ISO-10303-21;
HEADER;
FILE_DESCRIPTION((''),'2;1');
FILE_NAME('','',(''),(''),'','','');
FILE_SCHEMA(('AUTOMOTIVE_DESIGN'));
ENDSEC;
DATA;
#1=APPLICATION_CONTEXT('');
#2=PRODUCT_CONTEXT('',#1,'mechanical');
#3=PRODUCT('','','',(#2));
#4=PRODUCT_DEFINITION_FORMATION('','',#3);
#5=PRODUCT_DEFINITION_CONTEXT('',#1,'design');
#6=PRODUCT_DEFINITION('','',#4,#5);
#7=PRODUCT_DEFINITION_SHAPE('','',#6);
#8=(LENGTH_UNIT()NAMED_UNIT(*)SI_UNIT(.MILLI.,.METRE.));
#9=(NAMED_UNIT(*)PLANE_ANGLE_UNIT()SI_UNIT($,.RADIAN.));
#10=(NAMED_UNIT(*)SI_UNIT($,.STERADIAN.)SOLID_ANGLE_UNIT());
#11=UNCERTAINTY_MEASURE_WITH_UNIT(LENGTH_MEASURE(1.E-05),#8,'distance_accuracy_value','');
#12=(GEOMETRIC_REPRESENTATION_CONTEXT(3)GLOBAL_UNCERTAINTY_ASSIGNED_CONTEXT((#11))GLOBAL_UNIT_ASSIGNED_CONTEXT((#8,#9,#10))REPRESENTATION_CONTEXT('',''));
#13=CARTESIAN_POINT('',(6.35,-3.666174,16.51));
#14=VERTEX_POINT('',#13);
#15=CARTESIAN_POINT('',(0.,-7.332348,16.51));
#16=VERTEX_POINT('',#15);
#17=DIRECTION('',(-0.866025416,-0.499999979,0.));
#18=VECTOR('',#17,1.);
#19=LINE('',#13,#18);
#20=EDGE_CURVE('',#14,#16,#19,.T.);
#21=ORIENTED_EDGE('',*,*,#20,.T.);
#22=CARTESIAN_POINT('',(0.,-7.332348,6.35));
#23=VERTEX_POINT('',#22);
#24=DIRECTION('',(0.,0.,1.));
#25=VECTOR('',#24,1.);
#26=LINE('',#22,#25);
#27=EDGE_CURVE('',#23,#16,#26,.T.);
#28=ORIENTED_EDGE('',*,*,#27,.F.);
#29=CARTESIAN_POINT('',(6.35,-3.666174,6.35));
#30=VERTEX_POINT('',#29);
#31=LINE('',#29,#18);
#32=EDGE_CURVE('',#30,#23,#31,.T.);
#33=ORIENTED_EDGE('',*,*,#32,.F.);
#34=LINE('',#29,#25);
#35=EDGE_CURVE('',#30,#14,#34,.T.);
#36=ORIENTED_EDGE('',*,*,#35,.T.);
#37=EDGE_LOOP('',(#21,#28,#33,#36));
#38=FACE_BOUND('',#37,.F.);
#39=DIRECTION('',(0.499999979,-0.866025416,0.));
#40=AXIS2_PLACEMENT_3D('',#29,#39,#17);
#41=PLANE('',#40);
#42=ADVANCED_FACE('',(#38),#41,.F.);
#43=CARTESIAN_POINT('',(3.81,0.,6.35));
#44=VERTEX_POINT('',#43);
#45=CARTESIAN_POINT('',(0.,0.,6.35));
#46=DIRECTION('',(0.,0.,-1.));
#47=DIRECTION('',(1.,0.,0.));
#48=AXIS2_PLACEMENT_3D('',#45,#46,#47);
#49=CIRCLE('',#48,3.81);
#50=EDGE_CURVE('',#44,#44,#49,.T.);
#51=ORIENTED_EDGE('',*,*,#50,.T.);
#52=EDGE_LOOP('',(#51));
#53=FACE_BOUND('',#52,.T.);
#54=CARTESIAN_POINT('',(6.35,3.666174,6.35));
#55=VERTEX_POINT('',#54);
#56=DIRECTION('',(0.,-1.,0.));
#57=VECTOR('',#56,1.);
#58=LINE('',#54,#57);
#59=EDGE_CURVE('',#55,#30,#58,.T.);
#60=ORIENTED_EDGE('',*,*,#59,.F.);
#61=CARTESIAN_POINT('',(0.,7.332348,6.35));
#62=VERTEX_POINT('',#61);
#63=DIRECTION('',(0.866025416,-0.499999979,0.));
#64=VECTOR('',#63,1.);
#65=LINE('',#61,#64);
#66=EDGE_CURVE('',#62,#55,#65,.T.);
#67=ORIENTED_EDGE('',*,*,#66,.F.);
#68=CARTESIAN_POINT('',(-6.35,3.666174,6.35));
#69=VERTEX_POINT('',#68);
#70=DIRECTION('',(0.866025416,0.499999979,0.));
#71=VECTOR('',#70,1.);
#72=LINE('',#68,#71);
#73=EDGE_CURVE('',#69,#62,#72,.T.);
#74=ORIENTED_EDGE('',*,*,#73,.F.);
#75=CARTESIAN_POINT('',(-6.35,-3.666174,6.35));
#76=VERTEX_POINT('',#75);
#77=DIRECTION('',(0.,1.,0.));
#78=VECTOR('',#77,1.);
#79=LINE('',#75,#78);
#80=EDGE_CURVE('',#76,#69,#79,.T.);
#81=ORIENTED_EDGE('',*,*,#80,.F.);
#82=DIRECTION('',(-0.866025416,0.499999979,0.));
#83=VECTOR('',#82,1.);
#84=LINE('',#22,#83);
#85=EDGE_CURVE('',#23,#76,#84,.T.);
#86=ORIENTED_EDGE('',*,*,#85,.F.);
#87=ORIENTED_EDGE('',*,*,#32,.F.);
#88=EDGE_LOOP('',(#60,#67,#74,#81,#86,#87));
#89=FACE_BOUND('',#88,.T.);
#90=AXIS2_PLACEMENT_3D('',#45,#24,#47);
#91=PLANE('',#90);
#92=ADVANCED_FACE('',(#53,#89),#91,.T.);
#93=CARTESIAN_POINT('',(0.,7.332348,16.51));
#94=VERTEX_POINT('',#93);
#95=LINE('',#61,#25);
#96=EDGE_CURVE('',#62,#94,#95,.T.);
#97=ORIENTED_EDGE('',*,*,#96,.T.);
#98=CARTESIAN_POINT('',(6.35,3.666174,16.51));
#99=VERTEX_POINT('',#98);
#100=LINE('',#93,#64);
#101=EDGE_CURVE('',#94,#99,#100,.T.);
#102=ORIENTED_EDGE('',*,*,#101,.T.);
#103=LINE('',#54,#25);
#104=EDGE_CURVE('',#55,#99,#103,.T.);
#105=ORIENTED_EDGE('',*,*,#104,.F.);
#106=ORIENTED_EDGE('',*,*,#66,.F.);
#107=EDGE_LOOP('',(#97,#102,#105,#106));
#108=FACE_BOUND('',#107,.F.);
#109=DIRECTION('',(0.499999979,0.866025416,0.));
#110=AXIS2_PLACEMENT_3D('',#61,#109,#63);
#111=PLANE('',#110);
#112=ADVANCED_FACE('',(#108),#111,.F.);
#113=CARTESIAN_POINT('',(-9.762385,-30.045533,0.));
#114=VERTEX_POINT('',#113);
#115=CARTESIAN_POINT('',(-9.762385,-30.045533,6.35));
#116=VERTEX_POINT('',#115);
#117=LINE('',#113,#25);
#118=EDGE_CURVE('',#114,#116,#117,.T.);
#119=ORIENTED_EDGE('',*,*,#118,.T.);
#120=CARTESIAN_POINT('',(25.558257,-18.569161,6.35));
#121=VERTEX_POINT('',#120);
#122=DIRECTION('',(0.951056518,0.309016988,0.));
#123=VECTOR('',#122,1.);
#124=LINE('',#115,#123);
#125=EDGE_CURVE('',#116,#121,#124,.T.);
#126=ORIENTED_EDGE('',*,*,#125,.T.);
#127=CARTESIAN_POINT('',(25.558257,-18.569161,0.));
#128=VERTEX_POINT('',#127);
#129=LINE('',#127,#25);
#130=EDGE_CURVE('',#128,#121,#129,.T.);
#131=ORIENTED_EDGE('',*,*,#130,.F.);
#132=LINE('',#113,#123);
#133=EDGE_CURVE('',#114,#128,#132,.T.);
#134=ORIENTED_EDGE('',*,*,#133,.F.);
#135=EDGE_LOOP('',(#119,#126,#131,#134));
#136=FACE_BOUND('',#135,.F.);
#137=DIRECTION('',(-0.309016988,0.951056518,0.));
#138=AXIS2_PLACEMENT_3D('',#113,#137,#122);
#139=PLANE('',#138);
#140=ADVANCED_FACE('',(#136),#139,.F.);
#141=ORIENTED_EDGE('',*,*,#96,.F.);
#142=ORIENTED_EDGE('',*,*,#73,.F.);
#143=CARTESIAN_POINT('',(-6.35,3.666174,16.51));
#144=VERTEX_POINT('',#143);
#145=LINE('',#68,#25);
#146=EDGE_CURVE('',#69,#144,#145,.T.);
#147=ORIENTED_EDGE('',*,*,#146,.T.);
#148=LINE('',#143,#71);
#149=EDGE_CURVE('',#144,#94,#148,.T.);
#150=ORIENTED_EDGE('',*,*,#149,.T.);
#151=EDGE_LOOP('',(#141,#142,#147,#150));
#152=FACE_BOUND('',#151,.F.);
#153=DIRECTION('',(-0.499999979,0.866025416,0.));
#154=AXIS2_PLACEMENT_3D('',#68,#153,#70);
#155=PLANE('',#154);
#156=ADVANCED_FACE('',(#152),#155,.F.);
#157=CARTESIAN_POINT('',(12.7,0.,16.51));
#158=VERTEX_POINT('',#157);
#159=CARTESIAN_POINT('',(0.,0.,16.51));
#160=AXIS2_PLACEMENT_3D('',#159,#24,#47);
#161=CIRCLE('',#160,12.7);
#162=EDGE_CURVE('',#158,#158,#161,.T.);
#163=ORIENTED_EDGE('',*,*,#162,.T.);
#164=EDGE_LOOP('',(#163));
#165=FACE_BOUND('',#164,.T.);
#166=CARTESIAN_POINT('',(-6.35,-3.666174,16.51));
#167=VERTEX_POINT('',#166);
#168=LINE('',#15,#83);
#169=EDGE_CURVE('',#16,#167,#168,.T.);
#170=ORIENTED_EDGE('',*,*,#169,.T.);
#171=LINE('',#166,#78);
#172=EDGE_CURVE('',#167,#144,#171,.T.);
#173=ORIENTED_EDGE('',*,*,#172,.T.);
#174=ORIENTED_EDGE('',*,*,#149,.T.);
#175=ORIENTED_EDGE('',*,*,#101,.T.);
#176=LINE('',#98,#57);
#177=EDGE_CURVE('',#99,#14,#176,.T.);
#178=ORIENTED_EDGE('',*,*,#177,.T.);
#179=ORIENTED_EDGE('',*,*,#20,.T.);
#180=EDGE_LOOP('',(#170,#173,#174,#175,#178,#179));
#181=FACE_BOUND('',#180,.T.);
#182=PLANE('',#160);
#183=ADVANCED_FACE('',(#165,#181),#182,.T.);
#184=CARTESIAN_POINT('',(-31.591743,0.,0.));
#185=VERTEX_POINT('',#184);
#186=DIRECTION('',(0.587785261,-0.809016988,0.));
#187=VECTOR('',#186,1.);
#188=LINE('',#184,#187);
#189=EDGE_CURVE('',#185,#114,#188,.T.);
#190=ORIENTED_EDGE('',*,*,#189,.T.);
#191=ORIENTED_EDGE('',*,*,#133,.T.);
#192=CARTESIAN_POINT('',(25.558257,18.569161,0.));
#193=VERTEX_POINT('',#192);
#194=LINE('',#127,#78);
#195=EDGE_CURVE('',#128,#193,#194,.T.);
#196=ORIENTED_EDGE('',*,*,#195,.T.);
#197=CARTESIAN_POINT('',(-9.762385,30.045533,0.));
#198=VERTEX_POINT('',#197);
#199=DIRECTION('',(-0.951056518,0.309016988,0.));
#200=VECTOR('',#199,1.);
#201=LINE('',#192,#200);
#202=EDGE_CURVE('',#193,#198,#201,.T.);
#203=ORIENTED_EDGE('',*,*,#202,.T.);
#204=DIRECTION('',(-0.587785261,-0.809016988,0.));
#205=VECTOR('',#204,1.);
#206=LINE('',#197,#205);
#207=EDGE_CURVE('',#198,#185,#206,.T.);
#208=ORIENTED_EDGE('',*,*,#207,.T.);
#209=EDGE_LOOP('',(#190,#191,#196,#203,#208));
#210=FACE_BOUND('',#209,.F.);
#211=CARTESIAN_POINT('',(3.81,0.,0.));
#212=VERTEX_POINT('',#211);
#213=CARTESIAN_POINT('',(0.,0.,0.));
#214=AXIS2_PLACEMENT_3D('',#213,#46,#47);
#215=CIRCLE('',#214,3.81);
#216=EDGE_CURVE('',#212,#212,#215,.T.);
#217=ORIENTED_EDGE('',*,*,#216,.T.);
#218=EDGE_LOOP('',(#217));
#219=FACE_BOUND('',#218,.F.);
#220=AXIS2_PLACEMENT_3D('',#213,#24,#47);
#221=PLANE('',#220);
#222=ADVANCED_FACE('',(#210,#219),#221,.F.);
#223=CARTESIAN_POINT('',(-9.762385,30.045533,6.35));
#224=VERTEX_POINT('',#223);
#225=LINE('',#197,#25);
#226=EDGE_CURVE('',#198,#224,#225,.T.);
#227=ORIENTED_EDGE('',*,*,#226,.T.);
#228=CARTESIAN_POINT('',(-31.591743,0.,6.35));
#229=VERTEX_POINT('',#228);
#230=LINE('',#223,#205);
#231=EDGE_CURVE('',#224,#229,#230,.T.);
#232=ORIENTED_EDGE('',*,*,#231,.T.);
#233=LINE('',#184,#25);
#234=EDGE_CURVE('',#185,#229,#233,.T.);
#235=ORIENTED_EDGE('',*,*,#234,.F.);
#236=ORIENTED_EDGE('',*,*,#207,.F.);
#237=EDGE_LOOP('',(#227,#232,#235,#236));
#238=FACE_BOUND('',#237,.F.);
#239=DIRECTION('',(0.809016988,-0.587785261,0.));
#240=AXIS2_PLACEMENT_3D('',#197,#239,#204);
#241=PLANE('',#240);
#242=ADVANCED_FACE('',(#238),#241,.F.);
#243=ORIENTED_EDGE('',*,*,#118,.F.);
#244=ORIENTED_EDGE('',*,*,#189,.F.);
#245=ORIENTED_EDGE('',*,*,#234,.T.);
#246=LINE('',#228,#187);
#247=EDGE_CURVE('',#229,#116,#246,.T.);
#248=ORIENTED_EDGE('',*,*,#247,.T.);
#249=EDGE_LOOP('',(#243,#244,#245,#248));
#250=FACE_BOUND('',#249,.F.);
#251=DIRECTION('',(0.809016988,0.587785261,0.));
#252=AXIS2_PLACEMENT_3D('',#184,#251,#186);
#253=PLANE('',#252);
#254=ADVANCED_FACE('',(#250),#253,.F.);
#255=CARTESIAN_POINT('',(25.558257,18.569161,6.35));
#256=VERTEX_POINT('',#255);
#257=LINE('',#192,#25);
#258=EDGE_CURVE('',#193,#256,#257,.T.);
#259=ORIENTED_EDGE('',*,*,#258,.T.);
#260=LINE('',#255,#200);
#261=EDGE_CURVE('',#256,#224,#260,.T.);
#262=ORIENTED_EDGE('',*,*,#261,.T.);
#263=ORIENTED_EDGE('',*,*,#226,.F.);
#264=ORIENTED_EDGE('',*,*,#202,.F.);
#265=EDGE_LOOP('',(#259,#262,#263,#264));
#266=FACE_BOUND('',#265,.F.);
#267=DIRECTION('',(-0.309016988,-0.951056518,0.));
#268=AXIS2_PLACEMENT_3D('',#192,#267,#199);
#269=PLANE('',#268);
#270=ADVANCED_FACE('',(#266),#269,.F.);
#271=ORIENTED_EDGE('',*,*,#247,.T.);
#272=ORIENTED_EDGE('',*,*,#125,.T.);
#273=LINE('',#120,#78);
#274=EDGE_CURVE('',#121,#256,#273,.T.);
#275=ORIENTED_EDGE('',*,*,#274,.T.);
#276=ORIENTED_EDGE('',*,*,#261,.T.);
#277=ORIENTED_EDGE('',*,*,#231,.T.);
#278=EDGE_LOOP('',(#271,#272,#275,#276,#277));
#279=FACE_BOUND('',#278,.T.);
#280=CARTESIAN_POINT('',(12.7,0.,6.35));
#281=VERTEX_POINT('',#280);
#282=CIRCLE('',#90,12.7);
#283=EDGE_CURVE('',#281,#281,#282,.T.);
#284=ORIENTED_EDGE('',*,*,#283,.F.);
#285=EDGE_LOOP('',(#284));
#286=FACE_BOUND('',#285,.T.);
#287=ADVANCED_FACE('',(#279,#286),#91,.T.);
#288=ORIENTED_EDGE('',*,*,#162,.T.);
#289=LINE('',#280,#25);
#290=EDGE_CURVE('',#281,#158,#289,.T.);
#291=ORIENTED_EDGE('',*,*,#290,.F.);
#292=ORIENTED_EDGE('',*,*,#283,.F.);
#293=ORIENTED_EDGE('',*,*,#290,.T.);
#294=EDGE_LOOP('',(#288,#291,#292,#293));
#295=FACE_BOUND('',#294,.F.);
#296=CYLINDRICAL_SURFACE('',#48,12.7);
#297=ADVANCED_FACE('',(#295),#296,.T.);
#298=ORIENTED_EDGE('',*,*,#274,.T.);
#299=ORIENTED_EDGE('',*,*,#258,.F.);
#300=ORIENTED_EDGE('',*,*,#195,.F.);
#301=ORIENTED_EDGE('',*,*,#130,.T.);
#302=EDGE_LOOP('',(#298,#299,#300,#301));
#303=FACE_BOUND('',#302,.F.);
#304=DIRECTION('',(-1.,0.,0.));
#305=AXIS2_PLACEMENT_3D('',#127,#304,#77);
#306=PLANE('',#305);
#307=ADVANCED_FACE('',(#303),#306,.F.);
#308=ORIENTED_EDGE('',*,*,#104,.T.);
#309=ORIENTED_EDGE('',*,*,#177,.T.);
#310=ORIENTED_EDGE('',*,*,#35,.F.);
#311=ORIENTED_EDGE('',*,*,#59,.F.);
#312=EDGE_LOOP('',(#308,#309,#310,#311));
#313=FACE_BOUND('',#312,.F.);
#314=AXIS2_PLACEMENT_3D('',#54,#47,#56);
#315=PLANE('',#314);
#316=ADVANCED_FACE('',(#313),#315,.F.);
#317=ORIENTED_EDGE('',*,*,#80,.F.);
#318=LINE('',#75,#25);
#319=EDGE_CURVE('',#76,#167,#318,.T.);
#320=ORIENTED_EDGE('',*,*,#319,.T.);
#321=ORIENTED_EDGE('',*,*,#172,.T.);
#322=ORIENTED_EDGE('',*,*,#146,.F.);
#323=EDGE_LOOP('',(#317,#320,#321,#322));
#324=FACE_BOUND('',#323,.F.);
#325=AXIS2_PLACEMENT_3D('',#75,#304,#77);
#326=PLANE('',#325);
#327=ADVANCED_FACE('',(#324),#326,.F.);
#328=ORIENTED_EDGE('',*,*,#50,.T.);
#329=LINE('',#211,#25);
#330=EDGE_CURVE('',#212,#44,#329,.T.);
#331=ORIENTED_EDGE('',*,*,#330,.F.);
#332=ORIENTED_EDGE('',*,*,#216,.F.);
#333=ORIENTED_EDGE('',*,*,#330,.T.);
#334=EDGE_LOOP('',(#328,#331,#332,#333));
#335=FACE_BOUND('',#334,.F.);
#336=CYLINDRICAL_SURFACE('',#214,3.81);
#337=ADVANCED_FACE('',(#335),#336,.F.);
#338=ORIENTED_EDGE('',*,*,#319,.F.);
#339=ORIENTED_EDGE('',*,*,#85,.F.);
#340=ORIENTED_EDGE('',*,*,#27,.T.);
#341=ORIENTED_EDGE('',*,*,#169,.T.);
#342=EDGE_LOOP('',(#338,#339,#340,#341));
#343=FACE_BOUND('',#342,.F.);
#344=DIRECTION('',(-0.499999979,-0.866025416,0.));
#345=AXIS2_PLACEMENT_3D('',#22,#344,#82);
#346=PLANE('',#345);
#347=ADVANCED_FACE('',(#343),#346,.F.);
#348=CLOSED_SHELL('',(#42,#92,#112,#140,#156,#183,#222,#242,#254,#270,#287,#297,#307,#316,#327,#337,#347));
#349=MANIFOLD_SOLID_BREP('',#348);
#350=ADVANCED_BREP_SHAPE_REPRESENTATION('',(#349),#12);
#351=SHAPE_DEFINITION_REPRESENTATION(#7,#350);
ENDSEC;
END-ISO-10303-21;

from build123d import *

# Parameters (mm, degrees)
F1_DEPTH = 6.35
F2_R     = 12.7
F3_DEPTH = 10.16
F4_R     = 3.81
F5_DEPTH = 25.4


with BuildPart() as f1:
    # F0 (on Top) → F1 (new body)
    with BuildSketch(Plane.XY):
        Polygon((25.558257, -18.569161), (25.558257, 18.569161), (-9.762385, 30.045533), (-31.591743, 0), (-9.762385, -30.045533), align=None)
    extrude(amount=F1_DEPTH)

    # F2 (on face) → F3 (join)
    with BuildSketch(Plane.XY.offset(6.35)):
        Circle(F2_R)
        Polygon((0, 7.332348), (6.35, 3.666174), (6.35, -3.666174), (0, -7.332348), (-6.35, -3.666174), (-6.35, 3.666174), align=None, mode=Mode.SUBTRACT)
    extrude(amount=F3_DEPTH)

    # F4 (on face) → F5 (cut)
    with BuildSketch(Plane(origin=(0, 0, 0), x_dir=(1, 0, 0), z_dir=(0, 0, -1))):
        Circle(F4_R)
    extrude(amount=-F5_DEPTH, mode=Mode.SUBTRACT)


solid = f1.part
